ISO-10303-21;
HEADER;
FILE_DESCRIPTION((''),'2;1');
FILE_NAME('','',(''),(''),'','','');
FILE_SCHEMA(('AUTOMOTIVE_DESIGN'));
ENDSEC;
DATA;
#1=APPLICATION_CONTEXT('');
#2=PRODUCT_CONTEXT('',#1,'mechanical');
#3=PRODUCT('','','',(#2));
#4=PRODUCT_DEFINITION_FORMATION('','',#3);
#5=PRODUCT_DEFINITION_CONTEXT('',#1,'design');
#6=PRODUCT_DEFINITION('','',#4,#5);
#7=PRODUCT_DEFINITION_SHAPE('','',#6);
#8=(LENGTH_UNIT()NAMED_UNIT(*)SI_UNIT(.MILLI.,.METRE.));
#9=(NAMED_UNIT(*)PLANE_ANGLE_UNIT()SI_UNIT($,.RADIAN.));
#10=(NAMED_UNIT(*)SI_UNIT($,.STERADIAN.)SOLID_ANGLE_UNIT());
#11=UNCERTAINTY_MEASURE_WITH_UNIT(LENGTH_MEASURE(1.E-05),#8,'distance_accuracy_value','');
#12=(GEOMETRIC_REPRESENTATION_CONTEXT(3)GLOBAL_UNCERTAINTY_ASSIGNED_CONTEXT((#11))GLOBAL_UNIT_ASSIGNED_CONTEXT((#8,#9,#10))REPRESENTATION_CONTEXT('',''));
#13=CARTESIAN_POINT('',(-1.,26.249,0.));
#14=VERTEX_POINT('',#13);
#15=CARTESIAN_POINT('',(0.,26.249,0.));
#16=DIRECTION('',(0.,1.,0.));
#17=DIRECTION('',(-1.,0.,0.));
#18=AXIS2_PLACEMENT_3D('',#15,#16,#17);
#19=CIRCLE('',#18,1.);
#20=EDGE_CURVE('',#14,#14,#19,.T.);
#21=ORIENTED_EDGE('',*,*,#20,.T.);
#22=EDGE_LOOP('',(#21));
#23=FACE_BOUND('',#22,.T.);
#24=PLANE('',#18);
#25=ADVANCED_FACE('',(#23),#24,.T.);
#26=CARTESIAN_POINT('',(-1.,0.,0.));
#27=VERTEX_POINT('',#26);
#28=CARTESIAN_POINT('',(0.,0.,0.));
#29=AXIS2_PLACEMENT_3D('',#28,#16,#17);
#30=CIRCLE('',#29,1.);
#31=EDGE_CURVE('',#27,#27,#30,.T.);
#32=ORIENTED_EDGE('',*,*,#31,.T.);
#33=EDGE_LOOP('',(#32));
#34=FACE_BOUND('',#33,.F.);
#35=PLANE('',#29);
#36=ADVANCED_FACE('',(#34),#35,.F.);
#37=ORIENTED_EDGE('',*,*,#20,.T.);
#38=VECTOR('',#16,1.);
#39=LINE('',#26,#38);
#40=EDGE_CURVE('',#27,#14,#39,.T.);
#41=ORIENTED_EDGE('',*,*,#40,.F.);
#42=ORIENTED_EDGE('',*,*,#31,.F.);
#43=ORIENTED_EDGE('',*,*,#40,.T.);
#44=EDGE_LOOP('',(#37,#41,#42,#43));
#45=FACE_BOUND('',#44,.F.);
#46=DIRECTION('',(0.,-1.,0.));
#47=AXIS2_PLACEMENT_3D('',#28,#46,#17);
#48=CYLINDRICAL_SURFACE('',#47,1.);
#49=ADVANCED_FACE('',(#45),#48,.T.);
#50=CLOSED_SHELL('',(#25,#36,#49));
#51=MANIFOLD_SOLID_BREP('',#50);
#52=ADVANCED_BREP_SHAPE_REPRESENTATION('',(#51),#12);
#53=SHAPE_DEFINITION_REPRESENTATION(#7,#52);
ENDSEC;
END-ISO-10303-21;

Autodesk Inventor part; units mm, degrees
ref_plane "YZ Plane" through (0, 0, 0) normal (1, 0, 0) x (0, 1, 0)
ref_plane "XZ Plane" through (0, 0, 0) normal (0, 1, 0) x (-1, 0, 0)
ref_plane "XY Plane" through (0, 0, 0) normal (0, 0, 1) x (1, 0, 0)
sketch "Sketch1" plane through (0, 0, 0) normal (0, 1, 0) x (-1, 0, 0)
  circle A0 centre (0, 0) radius 1
  dimension "d0" = 2
extrude "Extrusion1" add sketch "Sketch1" along normal blind 26.249
ref_plane "Work Plane1" through (0, -30, 0) normal (0, -1, 0) x (1, 0, 0)
properties part number "LOOP1_COLL_PREDEF1"
